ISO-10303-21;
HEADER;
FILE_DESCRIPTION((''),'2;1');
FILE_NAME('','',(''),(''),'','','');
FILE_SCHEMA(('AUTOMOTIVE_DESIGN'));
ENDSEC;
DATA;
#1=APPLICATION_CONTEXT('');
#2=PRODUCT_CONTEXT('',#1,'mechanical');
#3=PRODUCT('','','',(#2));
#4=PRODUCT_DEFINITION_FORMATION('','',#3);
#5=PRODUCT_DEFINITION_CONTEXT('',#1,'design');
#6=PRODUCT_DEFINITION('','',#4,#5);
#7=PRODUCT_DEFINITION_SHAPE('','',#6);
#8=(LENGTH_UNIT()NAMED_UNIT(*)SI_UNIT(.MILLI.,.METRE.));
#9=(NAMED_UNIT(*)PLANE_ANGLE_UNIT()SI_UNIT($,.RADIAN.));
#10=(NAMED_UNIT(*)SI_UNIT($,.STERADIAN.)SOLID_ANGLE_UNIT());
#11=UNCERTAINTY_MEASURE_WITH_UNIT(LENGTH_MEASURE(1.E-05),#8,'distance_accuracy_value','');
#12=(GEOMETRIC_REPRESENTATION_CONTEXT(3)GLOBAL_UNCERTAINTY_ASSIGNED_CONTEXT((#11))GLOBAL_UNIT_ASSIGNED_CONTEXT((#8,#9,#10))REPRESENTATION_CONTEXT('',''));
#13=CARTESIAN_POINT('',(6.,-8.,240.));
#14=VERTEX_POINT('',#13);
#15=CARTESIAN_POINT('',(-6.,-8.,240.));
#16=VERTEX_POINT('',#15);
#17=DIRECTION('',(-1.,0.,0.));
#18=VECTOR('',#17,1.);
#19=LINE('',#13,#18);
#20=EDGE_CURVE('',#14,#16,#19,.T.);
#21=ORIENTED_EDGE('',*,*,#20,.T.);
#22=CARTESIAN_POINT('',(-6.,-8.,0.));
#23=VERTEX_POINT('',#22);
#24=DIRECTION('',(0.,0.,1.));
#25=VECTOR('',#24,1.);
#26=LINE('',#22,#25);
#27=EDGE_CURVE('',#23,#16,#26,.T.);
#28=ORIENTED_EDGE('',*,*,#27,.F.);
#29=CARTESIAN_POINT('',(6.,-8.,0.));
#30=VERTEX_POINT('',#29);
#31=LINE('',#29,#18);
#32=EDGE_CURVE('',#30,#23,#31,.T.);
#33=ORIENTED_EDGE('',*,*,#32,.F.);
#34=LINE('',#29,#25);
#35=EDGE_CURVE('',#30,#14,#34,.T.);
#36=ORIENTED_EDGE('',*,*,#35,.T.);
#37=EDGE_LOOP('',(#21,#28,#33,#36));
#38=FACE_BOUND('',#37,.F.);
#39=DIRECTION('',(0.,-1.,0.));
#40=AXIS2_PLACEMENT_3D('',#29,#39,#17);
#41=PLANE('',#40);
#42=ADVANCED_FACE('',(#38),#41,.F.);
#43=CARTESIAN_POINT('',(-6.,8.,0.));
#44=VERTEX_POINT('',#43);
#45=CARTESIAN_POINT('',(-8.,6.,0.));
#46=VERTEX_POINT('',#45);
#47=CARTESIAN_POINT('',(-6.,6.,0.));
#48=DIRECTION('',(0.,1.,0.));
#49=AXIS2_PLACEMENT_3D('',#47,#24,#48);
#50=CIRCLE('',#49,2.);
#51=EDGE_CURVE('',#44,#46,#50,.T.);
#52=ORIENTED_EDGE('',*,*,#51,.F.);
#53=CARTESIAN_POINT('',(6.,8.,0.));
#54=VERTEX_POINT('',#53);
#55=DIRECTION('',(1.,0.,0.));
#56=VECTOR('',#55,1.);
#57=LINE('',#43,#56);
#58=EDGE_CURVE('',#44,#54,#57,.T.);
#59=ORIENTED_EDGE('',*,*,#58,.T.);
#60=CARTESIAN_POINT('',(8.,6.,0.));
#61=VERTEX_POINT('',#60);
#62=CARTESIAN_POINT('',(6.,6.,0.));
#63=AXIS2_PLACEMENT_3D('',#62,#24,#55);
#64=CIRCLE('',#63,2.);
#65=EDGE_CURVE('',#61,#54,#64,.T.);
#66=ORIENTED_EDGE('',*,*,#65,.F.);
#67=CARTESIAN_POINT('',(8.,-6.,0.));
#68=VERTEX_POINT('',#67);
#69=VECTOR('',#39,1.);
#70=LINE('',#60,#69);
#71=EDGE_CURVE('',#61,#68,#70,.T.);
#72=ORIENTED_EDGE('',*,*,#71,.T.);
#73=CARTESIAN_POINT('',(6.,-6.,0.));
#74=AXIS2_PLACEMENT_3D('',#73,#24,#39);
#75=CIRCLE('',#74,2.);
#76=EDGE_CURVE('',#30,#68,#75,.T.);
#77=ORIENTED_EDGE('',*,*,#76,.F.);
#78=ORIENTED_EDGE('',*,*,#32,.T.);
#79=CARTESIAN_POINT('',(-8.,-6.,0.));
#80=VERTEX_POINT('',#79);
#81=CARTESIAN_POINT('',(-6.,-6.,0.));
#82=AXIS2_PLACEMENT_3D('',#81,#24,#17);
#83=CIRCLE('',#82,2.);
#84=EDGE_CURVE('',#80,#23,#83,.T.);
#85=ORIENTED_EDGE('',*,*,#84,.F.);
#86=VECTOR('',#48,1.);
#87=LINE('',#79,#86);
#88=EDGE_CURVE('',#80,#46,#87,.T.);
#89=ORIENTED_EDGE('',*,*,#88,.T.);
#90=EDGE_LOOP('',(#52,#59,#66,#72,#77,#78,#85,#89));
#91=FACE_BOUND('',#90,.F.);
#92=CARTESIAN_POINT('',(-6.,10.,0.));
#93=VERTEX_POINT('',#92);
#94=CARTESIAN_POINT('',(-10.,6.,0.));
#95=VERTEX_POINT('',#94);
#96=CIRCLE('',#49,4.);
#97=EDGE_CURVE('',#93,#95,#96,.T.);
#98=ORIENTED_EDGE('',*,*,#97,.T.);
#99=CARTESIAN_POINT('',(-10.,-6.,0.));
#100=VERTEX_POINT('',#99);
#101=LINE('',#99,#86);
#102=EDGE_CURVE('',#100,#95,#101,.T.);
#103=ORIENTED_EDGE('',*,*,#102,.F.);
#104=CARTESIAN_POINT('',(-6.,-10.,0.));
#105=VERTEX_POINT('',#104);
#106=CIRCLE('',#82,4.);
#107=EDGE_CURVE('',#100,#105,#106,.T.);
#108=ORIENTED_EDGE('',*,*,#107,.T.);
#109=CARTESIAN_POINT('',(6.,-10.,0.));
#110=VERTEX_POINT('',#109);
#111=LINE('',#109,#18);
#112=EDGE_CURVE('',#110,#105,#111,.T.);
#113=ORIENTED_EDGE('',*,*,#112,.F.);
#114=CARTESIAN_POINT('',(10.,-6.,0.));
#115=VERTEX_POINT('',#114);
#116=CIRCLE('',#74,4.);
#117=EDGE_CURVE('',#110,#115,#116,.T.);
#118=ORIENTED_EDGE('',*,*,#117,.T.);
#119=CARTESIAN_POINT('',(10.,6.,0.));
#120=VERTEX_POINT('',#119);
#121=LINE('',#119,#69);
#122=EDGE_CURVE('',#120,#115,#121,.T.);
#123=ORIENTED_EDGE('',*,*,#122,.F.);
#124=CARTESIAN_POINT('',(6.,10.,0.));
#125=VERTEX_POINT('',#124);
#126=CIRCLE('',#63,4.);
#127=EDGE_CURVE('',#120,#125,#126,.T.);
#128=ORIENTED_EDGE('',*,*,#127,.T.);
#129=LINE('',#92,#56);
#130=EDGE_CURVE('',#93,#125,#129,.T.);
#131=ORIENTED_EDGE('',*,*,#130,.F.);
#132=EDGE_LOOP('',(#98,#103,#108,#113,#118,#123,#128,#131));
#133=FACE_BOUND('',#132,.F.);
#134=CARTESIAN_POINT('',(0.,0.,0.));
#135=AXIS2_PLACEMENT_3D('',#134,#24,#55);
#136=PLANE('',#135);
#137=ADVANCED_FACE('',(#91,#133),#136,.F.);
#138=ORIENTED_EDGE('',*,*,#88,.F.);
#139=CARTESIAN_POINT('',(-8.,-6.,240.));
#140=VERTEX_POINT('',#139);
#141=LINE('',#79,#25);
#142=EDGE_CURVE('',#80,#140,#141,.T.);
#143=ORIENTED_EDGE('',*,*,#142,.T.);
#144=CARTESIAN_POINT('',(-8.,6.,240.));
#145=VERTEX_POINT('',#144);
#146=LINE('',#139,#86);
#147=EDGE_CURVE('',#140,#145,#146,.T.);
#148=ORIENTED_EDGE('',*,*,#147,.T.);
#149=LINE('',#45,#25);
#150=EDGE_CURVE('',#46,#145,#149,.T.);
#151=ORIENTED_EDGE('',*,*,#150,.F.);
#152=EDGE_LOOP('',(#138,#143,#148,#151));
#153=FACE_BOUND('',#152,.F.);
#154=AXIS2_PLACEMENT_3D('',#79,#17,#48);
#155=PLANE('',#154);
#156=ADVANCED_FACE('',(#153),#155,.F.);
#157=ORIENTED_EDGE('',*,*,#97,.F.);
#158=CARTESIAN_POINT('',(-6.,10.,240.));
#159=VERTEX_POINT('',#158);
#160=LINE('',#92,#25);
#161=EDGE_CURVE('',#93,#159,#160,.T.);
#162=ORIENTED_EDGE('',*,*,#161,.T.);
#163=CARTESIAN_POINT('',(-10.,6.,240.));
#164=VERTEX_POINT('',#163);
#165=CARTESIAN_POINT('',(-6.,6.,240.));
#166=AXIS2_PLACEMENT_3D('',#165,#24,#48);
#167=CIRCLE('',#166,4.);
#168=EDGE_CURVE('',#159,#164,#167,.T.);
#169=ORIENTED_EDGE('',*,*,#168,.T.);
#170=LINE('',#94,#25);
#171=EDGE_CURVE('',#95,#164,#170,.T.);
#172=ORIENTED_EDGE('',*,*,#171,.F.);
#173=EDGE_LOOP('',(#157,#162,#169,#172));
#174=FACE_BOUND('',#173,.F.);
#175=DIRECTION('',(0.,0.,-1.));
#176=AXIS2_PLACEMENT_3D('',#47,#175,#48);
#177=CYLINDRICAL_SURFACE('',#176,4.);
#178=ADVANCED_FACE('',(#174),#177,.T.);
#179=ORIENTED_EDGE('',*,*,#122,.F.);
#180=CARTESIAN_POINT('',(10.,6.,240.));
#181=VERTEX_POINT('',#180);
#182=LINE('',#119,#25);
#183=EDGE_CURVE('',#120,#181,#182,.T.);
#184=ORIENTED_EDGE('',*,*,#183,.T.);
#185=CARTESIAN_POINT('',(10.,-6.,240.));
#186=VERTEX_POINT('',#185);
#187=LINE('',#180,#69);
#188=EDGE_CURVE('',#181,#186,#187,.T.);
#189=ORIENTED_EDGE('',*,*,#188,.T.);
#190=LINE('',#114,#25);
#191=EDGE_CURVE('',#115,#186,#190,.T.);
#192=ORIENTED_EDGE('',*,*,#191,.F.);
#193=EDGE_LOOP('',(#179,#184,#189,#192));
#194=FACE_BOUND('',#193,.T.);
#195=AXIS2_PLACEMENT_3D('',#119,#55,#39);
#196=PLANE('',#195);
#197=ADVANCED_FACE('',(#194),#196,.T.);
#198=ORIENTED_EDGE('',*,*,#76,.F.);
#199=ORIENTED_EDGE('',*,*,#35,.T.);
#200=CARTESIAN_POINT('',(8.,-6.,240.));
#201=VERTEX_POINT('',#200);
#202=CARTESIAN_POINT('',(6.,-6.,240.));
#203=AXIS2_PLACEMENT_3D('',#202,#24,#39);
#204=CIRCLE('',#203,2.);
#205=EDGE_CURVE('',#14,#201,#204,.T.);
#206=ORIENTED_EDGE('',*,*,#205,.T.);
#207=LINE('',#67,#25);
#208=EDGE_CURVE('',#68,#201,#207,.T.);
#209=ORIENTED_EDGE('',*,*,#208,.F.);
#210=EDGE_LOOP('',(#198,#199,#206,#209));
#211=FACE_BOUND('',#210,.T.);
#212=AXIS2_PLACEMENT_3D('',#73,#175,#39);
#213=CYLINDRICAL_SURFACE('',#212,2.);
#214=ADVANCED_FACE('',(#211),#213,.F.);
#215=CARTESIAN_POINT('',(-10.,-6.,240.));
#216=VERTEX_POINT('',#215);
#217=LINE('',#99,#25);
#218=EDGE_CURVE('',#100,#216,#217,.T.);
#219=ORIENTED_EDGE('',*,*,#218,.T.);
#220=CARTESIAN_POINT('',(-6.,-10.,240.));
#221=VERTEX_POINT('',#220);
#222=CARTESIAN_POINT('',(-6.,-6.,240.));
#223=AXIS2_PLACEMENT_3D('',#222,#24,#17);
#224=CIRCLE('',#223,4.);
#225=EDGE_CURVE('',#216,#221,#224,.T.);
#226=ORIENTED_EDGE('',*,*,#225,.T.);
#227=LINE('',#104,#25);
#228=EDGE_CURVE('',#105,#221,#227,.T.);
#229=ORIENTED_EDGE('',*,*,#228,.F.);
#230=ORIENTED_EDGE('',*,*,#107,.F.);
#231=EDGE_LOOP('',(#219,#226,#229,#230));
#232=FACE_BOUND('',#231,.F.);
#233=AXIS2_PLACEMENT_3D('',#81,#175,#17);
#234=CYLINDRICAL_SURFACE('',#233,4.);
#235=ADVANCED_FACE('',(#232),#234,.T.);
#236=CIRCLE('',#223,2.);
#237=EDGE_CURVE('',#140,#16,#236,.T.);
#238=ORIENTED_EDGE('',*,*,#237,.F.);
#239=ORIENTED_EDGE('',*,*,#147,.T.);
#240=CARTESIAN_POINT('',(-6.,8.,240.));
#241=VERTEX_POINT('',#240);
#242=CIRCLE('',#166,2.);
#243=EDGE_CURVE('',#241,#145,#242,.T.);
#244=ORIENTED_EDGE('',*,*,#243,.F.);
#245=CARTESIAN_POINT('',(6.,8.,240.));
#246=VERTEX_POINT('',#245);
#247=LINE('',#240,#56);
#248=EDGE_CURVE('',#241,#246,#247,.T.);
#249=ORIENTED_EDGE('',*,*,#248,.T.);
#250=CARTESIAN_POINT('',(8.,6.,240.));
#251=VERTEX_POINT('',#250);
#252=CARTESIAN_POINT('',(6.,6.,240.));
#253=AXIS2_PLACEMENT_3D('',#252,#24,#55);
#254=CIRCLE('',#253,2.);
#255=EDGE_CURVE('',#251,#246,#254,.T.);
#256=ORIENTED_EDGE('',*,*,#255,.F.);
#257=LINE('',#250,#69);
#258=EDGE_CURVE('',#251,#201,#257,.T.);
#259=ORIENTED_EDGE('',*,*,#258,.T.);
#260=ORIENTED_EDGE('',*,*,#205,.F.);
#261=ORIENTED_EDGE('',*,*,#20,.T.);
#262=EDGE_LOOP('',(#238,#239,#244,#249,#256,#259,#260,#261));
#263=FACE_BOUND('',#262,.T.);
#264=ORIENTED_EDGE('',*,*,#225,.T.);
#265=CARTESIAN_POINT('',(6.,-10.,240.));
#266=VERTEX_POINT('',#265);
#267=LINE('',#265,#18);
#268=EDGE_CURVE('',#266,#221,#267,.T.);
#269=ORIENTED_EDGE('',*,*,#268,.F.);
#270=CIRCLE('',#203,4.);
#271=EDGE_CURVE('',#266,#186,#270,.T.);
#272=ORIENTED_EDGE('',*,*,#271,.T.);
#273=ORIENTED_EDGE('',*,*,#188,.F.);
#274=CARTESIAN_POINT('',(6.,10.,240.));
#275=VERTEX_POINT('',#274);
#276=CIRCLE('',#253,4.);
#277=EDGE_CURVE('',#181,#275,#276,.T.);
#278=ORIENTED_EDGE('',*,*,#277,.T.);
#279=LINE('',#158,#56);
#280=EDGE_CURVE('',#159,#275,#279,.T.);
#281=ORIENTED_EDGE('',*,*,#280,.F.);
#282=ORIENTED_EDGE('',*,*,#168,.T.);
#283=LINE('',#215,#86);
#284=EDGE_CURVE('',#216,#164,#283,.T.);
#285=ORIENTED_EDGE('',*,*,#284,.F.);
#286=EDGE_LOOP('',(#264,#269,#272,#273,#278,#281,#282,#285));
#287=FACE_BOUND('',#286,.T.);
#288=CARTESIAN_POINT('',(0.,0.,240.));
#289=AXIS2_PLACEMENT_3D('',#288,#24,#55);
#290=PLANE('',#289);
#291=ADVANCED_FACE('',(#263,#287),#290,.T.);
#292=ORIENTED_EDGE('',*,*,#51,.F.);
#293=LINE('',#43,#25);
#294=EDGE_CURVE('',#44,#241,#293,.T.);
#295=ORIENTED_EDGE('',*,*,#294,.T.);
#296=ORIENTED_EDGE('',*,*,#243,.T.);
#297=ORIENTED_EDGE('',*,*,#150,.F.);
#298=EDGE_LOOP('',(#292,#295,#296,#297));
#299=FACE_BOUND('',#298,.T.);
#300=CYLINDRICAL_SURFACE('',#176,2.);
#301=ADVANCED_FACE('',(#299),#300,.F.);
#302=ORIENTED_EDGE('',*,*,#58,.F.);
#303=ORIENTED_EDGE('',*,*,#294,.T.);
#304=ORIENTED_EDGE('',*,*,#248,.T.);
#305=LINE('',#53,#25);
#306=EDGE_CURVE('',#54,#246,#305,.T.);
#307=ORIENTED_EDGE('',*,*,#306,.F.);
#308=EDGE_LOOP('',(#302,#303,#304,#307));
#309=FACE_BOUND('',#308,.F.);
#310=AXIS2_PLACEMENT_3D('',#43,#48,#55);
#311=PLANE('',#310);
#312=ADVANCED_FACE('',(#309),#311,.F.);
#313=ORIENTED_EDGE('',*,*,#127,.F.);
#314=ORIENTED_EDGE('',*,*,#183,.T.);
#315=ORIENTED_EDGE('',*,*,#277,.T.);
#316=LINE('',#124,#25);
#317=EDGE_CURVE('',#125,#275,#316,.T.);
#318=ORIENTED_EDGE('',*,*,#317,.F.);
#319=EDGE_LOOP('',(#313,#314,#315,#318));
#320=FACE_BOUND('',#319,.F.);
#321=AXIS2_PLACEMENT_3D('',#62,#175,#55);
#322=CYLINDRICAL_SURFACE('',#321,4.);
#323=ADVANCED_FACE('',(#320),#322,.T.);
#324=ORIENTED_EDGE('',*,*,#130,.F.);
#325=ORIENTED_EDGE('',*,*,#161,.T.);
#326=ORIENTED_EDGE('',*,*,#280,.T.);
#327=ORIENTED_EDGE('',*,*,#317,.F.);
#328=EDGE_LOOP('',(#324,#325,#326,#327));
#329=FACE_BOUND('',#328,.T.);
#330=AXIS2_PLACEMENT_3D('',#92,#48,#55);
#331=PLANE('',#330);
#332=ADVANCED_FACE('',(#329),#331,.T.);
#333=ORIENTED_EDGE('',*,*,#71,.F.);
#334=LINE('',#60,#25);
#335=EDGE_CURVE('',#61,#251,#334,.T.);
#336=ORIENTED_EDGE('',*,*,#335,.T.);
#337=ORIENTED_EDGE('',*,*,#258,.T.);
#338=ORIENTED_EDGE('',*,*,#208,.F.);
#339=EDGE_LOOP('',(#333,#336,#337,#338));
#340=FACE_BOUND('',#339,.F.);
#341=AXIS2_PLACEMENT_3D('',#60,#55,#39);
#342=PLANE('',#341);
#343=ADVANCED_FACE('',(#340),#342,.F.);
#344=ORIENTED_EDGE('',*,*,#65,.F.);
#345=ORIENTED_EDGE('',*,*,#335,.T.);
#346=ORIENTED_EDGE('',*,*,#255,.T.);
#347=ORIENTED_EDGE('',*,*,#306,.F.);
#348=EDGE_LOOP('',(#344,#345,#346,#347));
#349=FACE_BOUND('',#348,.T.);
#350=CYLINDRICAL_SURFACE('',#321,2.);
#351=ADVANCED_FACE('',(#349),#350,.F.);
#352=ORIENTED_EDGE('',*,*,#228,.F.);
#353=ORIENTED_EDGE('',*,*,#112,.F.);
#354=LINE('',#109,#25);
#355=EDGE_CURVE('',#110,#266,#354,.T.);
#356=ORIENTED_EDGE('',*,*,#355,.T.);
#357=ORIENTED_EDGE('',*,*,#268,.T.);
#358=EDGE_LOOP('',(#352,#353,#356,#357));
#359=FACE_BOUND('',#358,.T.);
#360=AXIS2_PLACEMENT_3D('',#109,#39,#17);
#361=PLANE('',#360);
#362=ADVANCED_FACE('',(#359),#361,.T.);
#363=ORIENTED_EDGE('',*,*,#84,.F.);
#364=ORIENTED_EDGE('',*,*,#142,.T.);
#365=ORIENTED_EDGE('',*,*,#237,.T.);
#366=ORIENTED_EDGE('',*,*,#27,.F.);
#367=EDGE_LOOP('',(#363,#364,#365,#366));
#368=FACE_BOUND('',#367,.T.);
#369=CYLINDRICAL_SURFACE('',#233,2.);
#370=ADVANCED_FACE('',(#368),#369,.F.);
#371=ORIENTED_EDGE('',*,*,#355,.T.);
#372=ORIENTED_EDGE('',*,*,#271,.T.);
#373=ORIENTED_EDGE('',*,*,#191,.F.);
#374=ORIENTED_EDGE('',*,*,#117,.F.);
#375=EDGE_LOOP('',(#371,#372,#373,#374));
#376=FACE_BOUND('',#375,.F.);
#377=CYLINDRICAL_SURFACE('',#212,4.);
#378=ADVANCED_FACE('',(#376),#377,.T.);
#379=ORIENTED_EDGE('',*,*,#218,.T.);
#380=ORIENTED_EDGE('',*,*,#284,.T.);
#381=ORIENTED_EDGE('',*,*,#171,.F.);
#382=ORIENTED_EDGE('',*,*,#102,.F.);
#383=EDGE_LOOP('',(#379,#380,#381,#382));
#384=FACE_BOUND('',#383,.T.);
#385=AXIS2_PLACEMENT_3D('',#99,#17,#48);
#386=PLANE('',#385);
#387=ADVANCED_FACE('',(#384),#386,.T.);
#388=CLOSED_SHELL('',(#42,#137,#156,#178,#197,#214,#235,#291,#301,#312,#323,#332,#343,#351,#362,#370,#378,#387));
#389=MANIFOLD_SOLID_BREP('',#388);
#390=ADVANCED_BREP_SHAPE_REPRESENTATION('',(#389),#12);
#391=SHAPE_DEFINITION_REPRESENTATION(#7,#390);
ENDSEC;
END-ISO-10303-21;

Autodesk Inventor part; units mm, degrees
ref_plane "YZ Plane" through (0, 0, 0) normal (1, 0, 0) x (0, 1, 0)
ref_plane "Start Plane" through (0, 0, 0) normal (0, 0, 1) x (1, 0, 0)
ref_plane "End Plane" through (0, 0, 240) normal (0, 0, 1) x (1, 0, 0)
sketch "Sketch" plane through (0, 0, 0) normal (0, 0, 1) x (1, 0, 0)
  line L0 (-10, -6) -> (-10, 6)
  line L1 (-6, 10) -> (6, 10)
  line L2 (10, 6) -> (10, -6)
  line L3 (6, -10) -> (-6, -10)
  arc A0 (-10, -6) -> (-6, -10) centre (-6, -6) ccw
  arc A1 (-6, 10) -> (-10, 6) centre (-6, 6) ccw
  arc A2 (10, 6) -> (6, 10) centre (6, 6) ccw
  arc A3 (6, -10) -> (10, -6) centre (6, -6) ccw
  arc A4 (-6, 8) -> (-8, 6) centre (-6, 6) ccw
  line L4 (-6, 8) -> (6, 8)
  arc A5 (8, 6) -> (6, 8) centre (6, 6) ccw
  line L5 (8, 6) -> (8, -6)
  arc A6 (6, -8) -> (8, -6) centre (6, -6) ccw
  line L6 (6, -8) -> (-6, -8)
  arc A7 (-8, -6) -> (-6, -8) centre (-6, -6) ccw
  line L7 (-8, -6) -> (-8, 6)
  line L8 (0, 15.1598) -> (0, -15.1598) construction
  line L9 (-15.1598, 0) -> (15.1598, 0) construction
  dimension "d7" = 4
  dimension "d10" = 20
  dimension "d11" = 20
  dimension "d12" = 2
  dimension "d15" = 10
  dimension "d16" = 10
extrude "Body" add sketch "Sketch" along normal up to surface (240 mm away) from surface at 0
sketch "Sketch3" plane through (0, 0, 0) normal (0, 0, 1) x (1, 0, 0)
  line L0 (0, 0) -> (10, 0)
ref_plane "Work Plane3" through (0, 0, 0) normal (0, -1, 0) x (1, 0, 0)
sketch "Sketch4" plane through (0, 0, 0) normal (0, -1, 0) x (1, 0, 0)
  line L0 (-2, 0) -> (12, 0)
  line L1 (-2, 240) -> (12, 240)
  dimension "d18" = 240
equation "\"d7\" = G_IR"
equation "\"d10\" = G_H"
equation "\"d11\" = G_W"
equation "\"d12\" = G_T"
equation "\"d15\" = 0.5 * d10"
equation "\"d16\" = 0.5 * d11"
equation "\"d3\" = G_L"
equation "\"G_W\" = 20"
equation "\"G_H\" = 20"
equation "\"G_T\" = 2"
equation "\"G_IR\" = 4"
equation "\"G_L\" = d18"
equation "\"G_OFFSET_START\" = 0"
equation "\"G_OFFSET_END\" = 0"
properties part number "BS 4848 - 20 x 20 x 2 HFRHS - 240" material "Steel, Mild"
